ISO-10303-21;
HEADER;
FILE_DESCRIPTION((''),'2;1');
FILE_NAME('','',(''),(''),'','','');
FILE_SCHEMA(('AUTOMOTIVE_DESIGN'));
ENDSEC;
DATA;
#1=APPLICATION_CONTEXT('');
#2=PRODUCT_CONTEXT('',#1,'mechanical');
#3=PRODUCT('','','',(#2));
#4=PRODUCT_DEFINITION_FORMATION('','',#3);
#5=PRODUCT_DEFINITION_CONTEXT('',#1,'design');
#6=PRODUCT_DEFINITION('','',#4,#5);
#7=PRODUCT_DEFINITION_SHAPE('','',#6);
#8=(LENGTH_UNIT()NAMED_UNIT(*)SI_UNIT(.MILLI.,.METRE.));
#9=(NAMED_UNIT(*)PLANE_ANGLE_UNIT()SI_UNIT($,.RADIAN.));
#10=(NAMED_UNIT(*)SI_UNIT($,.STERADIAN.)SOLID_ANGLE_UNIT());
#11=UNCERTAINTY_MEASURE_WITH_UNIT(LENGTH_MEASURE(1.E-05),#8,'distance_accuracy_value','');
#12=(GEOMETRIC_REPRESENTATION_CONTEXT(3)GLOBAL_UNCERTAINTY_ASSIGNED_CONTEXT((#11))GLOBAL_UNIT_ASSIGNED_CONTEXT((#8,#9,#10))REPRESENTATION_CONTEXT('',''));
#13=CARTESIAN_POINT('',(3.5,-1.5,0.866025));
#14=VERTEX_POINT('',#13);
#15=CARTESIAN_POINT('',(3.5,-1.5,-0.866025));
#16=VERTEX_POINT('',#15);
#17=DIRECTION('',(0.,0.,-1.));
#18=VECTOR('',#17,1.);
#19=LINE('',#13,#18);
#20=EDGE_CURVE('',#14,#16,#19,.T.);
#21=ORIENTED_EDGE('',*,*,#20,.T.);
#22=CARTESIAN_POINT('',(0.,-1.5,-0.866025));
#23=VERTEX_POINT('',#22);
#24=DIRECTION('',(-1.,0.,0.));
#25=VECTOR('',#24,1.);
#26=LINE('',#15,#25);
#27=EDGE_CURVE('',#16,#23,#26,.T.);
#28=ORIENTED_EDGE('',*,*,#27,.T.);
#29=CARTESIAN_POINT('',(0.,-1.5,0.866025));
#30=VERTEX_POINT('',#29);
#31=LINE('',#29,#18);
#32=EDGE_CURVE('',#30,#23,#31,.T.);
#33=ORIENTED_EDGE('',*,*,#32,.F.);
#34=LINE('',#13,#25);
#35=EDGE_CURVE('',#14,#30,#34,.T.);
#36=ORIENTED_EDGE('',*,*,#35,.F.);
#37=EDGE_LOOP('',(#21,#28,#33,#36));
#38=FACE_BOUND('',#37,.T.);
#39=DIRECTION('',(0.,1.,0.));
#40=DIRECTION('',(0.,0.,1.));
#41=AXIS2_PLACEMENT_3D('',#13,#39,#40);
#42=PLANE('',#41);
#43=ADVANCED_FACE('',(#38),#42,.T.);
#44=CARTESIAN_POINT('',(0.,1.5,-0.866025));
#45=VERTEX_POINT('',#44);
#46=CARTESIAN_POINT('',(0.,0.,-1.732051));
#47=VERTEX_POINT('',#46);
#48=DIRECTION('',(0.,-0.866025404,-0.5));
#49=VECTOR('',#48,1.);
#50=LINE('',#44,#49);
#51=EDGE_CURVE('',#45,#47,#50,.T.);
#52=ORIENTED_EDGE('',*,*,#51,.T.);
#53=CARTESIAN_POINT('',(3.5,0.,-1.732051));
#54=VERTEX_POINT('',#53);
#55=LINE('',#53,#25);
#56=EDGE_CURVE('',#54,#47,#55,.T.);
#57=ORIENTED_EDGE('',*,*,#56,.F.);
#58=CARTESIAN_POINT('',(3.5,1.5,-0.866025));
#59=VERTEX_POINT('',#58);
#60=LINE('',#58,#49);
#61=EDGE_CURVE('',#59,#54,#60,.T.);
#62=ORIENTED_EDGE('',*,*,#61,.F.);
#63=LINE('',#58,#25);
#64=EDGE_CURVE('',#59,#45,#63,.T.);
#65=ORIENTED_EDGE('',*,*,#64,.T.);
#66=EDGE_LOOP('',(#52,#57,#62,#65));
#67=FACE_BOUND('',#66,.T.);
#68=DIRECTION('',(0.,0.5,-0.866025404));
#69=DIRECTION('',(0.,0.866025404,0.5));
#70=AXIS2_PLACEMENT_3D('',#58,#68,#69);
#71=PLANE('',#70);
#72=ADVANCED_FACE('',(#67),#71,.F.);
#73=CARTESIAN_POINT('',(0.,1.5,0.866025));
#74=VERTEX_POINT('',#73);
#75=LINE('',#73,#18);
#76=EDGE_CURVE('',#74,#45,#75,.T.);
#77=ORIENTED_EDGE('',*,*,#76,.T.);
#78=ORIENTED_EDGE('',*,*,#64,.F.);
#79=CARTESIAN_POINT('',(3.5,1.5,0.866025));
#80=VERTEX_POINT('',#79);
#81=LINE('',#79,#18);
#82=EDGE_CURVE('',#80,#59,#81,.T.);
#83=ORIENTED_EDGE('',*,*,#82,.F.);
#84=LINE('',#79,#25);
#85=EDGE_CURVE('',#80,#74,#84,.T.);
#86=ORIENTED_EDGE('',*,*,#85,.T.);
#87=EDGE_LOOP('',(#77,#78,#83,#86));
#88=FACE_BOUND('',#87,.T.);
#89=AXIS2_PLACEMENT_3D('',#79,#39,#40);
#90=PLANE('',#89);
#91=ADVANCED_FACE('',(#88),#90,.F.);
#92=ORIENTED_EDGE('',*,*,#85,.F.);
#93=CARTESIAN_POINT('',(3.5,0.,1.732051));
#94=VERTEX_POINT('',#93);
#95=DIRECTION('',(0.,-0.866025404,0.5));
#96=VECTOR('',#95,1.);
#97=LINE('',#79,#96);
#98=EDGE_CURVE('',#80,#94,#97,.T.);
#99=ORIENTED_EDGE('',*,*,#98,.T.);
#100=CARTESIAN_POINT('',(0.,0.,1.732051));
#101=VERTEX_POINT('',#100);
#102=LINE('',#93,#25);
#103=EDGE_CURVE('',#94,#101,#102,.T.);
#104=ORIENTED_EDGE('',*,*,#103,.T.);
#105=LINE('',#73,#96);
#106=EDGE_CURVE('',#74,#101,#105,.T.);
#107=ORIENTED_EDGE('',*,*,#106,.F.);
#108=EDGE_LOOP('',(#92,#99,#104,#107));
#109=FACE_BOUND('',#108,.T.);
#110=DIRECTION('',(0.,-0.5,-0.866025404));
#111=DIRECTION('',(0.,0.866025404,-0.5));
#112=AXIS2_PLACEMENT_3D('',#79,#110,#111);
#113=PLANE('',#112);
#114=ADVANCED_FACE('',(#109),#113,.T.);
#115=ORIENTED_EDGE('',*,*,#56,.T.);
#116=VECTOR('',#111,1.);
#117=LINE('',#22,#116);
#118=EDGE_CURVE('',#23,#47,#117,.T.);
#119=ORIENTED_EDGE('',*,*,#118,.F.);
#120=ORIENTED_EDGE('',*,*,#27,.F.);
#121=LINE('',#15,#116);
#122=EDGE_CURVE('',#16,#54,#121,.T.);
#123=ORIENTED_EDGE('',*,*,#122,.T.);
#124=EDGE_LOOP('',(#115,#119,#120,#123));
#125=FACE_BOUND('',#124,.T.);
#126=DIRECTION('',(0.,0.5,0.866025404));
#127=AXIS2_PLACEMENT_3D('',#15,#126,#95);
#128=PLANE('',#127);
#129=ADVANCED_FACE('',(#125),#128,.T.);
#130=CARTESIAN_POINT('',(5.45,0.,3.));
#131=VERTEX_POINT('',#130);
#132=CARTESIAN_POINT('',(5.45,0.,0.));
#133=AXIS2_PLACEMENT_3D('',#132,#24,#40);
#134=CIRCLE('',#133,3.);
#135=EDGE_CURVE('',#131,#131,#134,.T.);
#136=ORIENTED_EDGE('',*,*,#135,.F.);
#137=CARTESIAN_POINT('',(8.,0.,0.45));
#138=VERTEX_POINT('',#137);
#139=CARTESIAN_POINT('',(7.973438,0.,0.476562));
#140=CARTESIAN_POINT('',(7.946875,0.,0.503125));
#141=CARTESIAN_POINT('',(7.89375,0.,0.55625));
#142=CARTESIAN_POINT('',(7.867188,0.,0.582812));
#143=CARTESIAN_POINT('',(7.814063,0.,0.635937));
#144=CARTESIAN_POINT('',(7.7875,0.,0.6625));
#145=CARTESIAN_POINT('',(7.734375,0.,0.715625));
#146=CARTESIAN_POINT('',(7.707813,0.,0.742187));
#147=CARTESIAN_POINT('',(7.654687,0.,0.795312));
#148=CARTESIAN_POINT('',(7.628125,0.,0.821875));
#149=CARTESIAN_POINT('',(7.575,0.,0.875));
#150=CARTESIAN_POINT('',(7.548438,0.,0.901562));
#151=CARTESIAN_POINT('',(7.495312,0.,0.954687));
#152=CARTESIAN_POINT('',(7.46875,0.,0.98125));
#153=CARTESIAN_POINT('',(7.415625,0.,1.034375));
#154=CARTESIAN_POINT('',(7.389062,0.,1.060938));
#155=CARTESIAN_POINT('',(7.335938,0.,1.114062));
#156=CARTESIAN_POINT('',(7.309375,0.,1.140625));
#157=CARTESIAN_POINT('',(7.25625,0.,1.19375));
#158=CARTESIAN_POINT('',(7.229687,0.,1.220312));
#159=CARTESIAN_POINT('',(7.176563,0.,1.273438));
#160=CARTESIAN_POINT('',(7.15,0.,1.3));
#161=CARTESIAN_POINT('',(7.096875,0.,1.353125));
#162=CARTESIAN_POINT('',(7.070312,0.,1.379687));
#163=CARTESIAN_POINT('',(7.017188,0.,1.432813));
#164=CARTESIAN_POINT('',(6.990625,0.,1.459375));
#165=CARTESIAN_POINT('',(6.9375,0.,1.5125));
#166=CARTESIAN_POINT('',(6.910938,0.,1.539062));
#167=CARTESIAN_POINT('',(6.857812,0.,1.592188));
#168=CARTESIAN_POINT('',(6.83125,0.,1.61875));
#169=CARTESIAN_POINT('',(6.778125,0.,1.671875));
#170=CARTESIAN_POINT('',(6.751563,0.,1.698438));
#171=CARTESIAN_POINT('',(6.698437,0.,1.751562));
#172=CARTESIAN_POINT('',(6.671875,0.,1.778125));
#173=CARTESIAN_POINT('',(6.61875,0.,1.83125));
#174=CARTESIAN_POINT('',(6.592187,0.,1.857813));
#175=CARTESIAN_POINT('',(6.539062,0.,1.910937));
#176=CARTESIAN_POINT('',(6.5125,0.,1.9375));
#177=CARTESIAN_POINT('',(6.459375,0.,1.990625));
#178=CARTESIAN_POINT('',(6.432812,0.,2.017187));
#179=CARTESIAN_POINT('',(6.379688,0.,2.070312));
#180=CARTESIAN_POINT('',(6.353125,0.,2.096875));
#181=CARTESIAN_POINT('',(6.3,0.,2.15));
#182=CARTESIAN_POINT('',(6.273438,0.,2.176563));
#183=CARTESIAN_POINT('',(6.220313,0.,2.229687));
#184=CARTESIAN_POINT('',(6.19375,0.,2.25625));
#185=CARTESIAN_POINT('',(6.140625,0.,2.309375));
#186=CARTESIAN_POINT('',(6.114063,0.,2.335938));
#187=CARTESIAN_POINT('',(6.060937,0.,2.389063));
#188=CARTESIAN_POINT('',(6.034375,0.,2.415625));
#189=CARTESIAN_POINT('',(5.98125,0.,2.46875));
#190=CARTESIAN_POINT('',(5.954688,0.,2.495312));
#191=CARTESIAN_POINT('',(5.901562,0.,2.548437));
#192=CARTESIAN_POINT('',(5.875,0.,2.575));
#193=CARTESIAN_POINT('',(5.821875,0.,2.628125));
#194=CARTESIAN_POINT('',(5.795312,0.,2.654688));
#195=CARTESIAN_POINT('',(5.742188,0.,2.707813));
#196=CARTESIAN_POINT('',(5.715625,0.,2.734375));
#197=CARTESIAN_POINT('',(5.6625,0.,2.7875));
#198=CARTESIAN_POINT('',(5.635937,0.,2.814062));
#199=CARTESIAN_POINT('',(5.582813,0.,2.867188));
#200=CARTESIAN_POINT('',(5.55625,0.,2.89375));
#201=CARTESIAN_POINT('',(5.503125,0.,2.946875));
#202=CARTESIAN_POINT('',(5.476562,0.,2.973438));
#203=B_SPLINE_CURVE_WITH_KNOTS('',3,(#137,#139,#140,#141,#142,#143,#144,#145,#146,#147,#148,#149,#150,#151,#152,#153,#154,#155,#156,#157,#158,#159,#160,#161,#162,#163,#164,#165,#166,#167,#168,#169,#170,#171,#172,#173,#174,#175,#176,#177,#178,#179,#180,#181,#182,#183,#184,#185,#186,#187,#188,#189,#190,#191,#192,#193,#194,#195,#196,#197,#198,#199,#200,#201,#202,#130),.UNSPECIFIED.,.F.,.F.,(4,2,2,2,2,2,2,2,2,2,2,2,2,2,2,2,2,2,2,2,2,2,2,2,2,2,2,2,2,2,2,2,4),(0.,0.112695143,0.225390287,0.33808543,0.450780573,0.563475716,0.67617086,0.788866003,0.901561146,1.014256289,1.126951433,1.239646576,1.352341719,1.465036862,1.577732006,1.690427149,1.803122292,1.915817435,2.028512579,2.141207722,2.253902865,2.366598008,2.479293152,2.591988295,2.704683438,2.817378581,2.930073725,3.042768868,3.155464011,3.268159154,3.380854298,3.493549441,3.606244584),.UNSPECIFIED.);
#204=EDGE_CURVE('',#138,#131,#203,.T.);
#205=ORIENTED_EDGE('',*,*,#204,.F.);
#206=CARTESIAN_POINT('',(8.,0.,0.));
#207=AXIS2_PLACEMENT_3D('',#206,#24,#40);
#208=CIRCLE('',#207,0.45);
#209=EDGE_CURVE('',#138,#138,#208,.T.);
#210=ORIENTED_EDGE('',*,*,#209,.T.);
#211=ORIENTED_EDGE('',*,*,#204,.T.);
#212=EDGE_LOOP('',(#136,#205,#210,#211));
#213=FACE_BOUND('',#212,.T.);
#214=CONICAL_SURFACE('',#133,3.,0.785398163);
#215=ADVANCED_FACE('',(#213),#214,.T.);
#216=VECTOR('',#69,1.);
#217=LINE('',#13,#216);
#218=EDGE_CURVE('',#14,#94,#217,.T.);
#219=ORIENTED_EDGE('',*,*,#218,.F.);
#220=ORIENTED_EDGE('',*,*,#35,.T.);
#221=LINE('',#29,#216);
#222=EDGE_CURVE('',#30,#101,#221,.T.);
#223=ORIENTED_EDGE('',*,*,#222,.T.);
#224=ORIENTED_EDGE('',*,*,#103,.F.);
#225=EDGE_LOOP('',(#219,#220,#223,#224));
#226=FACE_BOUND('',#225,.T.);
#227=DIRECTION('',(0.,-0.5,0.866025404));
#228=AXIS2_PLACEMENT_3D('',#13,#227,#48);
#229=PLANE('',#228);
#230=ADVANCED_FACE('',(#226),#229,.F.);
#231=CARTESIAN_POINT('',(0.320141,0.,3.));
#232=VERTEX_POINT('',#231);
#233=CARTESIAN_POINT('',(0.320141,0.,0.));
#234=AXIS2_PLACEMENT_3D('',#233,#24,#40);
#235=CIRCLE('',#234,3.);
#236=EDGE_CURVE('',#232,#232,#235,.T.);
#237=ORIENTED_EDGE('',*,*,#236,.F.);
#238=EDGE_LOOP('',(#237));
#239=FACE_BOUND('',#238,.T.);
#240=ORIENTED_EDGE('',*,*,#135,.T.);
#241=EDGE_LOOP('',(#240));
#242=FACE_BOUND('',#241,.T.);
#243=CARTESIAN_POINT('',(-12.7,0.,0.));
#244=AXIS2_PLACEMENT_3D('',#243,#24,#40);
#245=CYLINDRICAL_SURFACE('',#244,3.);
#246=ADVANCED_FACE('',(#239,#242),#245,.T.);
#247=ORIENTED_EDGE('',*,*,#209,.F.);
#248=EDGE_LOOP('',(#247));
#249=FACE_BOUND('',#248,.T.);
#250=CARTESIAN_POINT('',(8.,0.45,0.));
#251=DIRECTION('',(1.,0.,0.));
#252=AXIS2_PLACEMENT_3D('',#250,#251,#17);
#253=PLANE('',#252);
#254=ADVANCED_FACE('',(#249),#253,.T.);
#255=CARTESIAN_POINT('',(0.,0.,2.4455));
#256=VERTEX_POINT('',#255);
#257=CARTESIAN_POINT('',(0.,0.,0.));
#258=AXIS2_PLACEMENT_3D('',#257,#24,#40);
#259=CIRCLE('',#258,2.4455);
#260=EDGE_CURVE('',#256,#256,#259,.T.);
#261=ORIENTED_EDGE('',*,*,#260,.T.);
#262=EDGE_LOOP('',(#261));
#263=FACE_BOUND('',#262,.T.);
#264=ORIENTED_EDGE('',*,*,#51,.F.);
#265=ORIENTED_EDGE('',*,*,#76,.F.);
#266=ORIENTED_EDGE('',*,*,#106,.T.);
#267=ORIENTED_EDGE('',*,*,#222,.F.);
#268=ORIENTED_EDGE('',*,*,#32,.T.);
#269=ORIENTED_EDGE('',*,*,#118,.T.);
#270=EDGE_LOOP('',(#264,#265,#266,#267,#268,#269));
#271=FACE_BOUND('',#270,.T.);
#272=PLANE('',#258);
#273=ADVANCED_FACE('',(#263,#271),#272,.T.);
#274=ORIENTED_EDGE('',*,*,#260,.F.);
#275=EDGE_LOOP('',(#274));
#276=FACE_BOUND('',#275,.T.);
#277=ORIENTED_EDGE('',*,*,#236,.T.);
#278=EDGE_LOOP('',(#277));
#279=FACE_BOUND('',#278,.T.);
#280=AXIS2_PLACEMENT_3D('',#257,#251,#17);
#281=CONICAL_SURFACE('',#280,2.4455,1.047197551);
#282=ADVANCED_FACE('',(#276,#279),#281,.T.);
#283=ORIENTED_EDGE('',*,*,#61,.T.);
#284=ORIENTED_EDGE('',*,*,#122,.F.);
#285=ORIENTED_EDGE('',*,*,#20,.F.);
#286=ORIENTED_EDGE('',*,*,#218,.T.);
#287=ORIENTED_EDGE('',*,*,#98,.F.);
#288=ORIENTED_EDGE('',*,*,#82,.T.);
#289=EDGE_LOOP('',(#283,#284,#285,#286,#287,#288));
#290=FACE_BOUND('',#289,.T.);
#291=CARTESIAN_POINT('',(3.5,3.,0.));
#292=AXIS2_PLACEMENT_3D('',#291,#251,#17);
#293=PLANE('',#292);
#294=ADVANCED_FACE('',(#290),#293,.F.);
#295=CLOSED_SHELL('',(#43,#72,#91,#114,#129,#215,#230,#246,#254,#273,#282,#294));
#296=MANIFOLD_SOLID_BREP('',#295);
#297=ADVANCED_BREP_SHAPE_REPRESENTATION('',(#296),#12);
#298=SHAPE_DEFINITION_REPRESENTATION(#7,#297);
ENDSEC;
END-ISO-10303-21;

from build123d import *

# Parameters (mm, degrees)
HEX_2_DEPTH = 3.5


with BuildPart() as part:
    # BodySke → BaseBody (revolve)
    with BuildSketch(Plane.XY, mode=Mode.PRIVATE) as basebody_sk:
        Polygon((0, 0), (0, 2.4455), (0.320140724, 3), (5.45, 3), (8, 0.45), (8, 0), align=None)
    revolve(basebody_sk.sketch.rotate(Axis((-12.7, 0, 0), (1, 0, 0)), 90), axis=Axis((-12.7, 0, 0), (1, 0, 0)))

    # Sketch2 → Hex 2 (cut)
    with BuildSketch(Plane.ZY):
        Polygon((0.866025404, 1.5), (-0.866025404, 1.5), (-1.732050808, 0), (-0.866025404, -1.5), (0.866025404, -1.5), (1.732050808, 0), align=None)
    extrude(amount=-HEX_2_DEPTH, mode=Mode.SUBTRACT)


solid = part.part
